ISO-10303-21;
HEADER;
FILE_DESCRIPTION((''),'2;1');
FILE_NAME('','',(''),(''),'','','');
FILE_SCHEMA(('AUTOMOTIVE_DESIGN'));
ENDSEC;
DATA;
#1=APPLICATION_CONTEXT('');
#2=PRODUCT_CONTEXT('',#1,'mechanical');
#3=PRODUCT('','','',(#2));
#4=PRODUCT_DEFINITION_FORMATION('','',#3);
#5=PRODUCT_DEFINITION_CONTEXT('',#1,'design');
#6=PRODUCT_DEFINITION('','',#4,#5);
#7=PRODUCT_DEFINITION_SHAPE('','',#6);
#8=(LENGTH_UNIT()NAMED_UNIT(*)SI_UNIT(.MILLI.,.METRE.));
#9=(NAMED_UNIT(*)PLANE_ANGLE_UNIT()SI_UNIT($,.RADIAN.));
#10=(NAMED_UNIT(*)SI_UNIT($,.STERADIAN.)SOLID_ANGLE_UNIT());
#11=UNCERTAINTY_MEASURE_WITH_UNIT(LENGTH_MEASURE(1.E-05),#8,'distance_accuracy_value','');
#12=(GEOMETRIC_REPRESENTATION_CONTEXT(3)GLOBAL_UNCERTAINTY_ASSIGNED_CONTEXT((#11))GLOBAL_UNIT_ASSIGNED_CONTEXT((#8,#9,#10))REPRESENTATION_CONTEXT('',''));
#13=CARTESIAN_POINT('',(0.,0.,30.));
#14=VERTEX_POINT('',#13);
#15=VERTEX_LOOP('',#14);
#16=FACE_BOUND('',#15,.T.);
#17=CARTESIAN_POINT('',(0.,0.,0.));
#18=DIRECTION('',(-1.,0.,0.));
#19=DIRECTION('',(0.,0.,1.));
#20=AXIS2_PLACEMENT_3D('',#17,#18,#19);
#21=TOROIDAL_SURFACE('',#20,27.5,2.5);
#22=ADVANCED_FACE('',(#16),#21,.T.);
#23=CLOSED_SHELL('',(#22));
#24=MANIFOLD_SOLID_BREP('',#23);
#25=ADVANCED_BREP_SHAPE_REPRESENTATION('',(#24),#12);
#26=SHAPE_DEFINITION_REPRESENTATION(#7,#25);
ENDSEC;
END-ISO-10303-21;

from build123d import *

# Parameters (mm, degrees)
SKETCH_1_R = 2.5


with BuildPart() as part:
    # 草图1 → 旋转1 (revolve)
    with BuildSketch(Plane.XY, mode=Mode.PRIVATE) as revolve_1_sk:
        with Locations((0, 27.5)):
            Circle(SKETCH_1_R)
    revolve(revolve_1_sk.sketch.rotate(Axis((-20.884003278, 0, 0), (1, 0, 0)), 90), axis=Axis((-20.884003278, 0, 0), (1, 0, 0)))


solid = part.part
